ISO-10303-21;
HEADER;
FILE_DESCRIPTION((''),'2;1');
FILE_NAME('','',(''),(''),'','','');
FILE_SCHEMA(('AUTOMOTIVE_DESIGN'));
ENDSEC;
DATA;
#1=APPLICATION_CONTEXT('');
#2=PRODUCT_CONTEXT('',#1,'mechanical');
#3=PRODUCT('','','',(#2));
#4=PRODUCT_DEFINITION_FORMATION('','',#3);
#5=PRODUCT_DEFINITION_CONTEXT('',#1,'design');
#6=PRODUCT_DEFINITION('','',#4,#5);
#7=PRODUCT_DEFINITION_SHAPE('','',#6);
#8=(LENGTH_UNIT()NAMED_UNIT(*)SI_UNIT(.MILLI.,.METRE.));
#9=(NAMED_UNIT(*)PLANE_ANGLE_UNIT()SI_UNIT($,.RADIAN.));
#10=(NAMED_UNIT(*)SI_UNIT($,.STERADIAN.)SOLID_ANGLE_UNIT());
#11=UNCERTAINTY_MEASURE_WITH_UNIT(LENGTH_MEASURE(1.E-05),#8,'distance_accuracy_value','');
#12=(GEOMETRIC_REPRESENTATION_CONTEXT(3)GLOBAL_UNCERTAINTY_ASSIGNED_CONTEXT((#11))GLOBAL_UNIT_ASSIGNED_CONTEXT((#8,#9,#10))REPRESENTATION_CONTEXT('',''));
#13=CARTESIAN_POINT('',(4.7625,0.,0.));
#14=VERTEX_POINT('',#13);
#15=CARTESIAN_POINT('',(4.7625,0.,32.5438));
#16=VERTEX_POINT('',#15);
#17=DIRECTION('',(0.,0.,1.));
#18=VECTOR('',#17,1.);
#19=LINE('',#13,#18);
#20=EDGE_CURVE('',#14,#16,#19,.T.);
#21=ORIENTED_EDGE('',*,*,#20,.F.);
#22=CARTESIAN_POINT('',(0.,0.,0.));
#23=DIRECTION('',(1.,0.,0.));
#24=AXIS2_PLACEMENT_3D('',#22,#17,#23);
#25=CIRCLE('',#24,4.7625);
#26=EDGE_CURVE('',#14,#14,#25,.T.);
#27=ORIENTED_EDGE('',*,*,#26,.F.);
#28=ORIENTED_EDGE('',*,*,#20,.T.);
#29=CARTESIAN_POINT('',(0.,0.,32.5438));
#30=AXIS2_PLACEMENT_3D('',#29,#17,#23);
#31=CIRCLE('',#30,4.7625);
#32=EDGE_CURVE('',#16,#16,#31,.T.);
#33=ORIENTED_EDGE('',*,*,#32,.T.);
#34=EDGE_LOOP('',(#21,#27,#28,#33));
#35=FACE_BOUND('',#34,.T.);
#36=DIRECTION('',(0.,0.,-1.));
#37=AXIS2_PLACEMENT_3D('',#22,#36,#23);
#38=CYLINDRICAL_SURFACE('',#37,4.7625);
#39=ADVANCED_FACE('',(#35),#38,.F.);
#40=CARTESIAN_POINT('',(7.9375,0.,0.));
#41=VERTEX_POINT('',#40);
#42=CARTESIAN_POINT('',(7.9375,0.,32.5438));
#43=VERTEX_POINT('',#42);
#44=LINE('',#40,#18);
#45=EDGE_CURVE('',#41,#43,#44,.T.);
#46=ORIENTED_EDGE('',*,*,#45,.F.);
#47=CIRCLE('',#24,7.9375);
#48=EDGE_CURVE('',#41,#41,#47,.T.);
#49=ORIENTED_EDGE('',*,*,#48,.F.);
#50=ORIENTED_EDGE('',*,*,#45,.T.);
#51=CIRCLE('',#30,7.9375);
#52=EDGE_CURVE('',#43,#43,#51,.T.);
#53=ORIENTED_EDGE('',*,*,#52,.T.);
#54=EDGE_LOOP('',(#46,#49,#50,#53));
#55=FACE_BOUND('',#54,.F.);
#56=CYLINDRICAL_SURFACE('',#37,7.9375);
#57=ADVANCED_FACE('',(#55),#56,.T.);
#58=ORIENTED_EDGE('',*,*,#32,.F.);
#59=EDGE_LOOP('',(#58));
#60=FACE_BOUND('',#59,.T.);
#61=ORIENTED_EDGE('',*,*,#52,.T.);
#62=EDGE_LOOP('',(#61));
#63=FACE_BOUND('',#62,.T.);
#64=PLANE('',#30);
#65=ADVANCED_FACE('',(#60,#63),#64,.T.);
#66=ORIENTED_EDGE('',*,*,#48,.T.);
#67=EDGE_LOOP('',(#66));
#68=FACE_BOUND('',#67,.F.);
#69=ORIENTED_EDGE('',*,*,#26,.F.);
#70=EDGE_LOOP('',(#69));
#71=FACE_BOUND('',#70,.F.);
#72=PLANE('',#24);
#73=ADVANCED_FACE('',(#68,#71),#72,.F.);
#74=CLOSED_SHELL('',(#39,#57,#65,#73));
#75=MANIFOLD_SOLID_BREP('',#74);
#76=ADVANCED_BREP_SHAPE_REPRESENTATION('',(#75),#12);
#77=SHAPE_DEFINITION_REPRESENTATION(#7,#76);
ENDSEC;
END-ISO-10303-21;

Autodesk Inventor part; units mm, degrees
ref_plane "YZ Plane" through (0, 0, 0) normal (1, 0, 0) x (0, 1, 0)
ref_plane "XZ Plane" through (0, 0, 0) normal (0, 1, 0) x (-1, 0, 0)
ref_plane "XY Plane" through (0, 0, 0) normal (0, 0, 1) x (1, 0, 0)
sketch "Sketch1" plane through (0, 0, 0) normal (0, 0, 1) x (1, 0, 0)
  circle A0 centre (0, 0) radius 7.9375
  circle A1 centre (0, 0) radius 4.7625
  dimension "d0" = 15.875
  dimension "d1" = 9.525
extrude "Extrusion1" add sketch "Sketch1" along normal blind 32.5438
properties part number "Upper Connecting Standoff" material "Aluminum 6061"
